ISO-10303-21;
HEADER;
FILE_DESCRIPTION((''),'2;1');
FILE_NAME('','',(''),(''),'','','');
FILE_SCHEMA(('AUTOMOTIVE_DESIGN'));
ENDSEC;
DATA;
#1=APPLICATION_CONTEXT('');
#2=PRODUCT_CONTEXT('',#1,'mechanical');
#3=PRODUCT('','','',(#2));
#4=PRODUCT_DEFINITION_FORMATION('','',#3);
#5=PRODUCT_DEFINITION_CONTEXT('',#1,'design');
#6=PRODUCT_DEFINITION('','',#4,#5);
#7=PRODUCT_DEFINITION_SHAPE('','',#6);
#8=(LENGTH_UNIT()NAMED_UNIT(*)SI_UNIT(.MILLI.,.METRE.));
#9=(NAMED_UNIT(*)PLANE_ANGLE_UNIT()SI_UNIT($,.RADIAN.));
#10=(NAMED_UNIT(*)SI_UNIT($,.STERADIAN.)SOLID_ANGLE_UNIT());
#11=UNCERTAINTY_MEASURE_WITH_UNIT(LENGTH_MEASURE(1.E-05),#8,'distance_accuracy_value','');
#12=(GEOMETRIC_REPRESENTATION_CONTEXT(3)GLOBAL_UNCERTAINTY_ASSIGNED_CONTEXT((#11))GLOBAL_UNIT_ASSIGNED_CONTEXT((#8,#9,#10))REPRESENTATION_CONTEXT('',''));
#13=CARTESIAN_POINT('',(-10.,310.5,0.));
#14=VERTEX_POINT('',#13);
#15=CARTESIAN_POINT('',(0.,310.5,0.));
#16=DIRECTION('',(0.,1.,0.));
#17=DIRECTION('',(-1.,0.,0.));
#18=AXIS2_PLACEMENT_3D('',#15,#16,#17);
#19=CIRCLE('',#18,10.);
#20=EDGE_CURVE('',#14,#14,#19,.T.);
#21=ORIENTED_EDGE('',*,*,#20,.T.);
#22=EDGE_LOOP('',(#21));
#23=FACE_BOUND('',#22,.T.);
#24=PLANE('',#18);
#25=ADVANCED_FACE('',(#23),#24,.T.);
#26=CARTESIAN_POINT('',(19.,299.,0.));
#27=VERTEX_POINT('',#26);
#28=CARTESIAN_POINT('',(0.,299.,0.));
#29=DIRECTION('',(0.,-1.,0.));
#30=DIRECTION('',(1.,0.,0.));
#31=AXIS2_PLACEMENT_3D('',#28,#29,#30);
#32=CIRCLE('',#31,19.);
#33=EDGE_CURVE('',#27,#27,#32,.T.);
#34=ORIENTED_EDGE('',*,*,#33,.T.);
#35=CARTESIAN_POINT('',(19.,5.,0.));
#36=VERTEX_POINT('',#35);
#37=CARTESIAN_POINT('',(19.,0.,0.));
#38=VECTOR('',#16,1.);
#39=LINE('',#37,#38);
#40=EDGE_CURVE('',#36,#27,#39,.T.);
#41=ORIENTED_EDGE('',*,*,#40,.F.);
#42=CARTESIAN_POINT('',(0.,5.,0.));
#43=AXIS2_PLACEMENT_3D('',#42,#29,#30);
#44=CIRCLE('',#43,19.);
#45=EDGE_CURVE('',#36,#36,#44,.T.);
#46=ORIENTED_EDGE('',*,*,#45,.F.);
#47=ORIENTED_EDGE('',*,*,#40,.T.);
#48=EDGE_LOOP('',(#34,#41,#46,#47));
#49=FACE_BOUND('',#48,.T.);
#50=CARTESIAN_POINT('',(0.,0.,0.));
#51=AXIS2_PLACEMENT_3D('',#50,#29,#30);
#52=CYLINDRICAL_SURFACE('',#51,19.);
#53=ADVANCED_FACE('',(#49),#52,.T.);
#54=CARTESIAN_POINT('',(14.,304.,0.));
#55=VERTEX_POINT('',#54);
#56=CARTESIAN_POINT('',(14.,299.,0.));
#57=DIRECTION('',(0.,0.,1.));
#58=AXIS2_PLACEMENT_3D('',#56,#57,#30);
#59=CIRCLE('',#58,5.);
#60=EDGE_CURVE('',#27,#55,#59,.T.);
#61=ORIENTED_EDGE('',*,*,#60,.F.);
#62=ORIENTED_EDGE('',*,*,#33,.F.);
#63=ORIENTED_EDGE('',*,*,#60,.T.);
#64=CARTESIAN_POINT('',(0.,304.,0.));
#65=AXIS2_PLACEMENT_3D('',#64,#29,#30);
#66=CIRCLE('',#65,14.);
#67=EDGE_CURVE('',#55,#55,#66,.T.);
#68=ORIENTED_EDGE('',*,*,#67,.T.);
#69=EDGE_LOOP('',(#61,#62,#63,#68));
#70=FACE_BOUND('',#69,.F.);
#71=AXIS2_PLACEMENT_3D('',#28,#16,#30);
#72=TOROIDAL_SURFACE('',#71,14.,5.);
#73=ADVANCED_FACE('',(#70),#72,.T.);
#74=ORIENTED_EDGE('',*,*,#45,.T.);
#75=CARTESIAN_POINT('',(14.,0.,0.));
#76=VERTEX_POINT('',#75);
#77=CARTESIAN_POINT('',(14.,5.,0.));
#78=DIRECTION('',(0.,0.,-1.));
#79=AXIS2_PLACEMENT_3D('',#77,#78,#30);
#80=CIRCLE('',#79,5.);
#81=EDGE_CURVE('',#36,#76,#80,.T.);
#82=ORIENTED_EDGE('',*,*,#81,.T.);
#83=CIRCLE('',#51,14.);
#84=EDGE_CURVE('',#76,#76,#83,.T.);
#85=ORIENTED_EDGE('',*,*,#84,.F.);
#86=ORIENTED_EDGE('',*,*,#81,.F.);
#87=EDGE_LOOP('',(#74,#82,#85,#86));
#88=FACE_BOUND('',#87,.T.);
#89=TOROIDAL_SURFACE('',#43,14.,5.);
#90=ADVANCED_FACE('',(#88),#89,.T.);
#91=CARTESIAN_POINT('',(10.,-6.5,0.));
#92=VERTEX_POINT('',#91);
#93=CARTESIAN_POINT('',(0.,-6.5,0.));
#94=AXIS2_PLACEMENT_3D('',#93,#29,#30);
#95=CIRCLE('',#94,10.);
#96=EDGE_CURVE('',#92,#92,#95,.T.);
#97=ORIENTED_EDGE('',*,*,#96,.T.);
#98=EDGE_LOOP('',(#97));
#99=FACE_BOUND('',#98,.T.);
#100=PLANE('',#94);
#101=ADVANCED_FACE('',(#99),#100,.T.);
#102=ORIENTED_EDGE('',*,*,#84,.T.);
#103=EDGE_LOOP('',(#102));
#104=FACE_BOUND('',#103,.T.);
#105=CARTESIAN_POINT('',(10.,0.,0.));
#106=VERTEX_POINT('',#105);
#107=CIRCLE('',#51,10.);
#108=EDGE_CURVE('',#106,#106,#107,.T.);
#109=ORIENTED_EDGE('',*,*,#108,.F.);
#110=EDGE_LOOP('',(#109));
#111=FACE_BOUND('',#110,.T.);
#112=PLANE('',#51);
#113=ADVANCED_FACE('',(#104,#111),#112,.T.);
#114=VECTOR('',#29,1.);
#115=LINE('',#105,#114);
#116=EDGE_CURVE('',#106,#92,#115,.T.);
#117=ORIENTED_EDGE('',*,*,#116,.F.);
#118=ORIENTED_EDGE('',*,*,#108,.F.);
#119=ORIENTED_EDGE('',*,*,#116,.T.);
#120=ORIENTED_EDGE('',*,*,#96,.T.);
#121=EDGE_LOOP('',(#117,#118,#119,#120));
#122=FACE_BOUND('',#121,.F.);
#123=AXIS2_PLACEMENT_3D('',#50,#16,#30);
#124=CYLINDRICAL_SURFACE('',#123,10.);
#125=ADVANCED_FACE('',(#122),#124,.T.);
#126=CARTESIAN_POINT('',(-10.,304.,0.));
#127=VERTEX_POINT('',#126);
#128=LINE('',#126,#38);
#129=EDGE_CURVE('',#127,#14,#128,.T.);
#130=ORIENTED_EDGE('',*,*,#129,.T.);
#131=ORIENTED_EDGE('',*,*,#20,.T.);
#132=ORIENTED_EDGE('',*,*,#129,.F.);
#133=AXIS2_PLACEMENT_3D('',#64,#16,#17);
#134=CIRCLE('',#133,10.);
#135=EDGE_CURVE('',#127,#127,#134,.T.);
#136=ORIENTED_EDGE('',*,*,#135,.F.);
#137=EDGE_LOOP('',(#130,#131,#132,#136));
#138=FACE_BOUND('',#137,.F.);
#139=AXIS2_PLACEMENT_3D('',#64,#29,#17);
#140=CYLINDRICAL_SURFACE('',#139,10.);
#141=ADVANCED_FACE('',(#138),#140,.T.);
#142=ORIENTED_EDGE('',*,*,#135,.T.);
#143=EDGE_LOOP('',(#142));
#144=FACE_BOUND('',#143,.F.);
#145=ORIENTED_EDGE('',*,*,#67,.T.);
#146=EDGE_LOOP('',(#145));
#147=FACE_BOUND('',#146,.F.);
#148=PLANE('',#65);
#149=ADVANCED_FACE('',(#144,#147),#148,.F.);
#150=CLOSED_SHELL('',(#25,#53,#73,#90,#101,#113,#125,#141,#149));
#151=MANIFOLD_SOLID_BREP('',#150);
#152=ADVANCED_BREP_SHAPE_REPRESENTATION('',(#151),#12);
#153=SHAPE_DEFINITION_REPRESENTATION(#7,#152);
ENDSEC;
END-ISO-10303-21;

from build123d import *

# Parameters (mm, degrees)
F0_R     = 10
F1_DEPTH = 6.5
F2_R     = 19
F3_DEPTH = 304
F4_R     = 10
F5_DEPTH = 6.5
F7_R     = 5


with BuildPart() as f1:
    # F0 (on Front) → F1 (new body)
    with BuildSketch(Plane.XZ):
        Circle(F0_R)
    extrude(amount=F1_DEPTH)

    # F2 (on Front) → F3 (join)
    with BuildSketch(Plane.XZ):
        Circle(F2_R)
    extrude(amount=-F3_DEPTH)

    # F4 (on face) → F5 (join)
    with BuildSketch(Plane(origin=(0, 304, 0), x_dir=(-1, 0, 0), z_dir=(0, 1, 0))):
        Circle(F4_R)
    extrude(amount=F5_DEPTH)

    # F7
    f7_edges = [f1.edges().sort_by_distance(p)[0] for p in [
        (-19, 304, 0),
        (-19, 0, 0),
    ]]
    fillet(f7_edges, radius=F7_R)


solid = f1.part
